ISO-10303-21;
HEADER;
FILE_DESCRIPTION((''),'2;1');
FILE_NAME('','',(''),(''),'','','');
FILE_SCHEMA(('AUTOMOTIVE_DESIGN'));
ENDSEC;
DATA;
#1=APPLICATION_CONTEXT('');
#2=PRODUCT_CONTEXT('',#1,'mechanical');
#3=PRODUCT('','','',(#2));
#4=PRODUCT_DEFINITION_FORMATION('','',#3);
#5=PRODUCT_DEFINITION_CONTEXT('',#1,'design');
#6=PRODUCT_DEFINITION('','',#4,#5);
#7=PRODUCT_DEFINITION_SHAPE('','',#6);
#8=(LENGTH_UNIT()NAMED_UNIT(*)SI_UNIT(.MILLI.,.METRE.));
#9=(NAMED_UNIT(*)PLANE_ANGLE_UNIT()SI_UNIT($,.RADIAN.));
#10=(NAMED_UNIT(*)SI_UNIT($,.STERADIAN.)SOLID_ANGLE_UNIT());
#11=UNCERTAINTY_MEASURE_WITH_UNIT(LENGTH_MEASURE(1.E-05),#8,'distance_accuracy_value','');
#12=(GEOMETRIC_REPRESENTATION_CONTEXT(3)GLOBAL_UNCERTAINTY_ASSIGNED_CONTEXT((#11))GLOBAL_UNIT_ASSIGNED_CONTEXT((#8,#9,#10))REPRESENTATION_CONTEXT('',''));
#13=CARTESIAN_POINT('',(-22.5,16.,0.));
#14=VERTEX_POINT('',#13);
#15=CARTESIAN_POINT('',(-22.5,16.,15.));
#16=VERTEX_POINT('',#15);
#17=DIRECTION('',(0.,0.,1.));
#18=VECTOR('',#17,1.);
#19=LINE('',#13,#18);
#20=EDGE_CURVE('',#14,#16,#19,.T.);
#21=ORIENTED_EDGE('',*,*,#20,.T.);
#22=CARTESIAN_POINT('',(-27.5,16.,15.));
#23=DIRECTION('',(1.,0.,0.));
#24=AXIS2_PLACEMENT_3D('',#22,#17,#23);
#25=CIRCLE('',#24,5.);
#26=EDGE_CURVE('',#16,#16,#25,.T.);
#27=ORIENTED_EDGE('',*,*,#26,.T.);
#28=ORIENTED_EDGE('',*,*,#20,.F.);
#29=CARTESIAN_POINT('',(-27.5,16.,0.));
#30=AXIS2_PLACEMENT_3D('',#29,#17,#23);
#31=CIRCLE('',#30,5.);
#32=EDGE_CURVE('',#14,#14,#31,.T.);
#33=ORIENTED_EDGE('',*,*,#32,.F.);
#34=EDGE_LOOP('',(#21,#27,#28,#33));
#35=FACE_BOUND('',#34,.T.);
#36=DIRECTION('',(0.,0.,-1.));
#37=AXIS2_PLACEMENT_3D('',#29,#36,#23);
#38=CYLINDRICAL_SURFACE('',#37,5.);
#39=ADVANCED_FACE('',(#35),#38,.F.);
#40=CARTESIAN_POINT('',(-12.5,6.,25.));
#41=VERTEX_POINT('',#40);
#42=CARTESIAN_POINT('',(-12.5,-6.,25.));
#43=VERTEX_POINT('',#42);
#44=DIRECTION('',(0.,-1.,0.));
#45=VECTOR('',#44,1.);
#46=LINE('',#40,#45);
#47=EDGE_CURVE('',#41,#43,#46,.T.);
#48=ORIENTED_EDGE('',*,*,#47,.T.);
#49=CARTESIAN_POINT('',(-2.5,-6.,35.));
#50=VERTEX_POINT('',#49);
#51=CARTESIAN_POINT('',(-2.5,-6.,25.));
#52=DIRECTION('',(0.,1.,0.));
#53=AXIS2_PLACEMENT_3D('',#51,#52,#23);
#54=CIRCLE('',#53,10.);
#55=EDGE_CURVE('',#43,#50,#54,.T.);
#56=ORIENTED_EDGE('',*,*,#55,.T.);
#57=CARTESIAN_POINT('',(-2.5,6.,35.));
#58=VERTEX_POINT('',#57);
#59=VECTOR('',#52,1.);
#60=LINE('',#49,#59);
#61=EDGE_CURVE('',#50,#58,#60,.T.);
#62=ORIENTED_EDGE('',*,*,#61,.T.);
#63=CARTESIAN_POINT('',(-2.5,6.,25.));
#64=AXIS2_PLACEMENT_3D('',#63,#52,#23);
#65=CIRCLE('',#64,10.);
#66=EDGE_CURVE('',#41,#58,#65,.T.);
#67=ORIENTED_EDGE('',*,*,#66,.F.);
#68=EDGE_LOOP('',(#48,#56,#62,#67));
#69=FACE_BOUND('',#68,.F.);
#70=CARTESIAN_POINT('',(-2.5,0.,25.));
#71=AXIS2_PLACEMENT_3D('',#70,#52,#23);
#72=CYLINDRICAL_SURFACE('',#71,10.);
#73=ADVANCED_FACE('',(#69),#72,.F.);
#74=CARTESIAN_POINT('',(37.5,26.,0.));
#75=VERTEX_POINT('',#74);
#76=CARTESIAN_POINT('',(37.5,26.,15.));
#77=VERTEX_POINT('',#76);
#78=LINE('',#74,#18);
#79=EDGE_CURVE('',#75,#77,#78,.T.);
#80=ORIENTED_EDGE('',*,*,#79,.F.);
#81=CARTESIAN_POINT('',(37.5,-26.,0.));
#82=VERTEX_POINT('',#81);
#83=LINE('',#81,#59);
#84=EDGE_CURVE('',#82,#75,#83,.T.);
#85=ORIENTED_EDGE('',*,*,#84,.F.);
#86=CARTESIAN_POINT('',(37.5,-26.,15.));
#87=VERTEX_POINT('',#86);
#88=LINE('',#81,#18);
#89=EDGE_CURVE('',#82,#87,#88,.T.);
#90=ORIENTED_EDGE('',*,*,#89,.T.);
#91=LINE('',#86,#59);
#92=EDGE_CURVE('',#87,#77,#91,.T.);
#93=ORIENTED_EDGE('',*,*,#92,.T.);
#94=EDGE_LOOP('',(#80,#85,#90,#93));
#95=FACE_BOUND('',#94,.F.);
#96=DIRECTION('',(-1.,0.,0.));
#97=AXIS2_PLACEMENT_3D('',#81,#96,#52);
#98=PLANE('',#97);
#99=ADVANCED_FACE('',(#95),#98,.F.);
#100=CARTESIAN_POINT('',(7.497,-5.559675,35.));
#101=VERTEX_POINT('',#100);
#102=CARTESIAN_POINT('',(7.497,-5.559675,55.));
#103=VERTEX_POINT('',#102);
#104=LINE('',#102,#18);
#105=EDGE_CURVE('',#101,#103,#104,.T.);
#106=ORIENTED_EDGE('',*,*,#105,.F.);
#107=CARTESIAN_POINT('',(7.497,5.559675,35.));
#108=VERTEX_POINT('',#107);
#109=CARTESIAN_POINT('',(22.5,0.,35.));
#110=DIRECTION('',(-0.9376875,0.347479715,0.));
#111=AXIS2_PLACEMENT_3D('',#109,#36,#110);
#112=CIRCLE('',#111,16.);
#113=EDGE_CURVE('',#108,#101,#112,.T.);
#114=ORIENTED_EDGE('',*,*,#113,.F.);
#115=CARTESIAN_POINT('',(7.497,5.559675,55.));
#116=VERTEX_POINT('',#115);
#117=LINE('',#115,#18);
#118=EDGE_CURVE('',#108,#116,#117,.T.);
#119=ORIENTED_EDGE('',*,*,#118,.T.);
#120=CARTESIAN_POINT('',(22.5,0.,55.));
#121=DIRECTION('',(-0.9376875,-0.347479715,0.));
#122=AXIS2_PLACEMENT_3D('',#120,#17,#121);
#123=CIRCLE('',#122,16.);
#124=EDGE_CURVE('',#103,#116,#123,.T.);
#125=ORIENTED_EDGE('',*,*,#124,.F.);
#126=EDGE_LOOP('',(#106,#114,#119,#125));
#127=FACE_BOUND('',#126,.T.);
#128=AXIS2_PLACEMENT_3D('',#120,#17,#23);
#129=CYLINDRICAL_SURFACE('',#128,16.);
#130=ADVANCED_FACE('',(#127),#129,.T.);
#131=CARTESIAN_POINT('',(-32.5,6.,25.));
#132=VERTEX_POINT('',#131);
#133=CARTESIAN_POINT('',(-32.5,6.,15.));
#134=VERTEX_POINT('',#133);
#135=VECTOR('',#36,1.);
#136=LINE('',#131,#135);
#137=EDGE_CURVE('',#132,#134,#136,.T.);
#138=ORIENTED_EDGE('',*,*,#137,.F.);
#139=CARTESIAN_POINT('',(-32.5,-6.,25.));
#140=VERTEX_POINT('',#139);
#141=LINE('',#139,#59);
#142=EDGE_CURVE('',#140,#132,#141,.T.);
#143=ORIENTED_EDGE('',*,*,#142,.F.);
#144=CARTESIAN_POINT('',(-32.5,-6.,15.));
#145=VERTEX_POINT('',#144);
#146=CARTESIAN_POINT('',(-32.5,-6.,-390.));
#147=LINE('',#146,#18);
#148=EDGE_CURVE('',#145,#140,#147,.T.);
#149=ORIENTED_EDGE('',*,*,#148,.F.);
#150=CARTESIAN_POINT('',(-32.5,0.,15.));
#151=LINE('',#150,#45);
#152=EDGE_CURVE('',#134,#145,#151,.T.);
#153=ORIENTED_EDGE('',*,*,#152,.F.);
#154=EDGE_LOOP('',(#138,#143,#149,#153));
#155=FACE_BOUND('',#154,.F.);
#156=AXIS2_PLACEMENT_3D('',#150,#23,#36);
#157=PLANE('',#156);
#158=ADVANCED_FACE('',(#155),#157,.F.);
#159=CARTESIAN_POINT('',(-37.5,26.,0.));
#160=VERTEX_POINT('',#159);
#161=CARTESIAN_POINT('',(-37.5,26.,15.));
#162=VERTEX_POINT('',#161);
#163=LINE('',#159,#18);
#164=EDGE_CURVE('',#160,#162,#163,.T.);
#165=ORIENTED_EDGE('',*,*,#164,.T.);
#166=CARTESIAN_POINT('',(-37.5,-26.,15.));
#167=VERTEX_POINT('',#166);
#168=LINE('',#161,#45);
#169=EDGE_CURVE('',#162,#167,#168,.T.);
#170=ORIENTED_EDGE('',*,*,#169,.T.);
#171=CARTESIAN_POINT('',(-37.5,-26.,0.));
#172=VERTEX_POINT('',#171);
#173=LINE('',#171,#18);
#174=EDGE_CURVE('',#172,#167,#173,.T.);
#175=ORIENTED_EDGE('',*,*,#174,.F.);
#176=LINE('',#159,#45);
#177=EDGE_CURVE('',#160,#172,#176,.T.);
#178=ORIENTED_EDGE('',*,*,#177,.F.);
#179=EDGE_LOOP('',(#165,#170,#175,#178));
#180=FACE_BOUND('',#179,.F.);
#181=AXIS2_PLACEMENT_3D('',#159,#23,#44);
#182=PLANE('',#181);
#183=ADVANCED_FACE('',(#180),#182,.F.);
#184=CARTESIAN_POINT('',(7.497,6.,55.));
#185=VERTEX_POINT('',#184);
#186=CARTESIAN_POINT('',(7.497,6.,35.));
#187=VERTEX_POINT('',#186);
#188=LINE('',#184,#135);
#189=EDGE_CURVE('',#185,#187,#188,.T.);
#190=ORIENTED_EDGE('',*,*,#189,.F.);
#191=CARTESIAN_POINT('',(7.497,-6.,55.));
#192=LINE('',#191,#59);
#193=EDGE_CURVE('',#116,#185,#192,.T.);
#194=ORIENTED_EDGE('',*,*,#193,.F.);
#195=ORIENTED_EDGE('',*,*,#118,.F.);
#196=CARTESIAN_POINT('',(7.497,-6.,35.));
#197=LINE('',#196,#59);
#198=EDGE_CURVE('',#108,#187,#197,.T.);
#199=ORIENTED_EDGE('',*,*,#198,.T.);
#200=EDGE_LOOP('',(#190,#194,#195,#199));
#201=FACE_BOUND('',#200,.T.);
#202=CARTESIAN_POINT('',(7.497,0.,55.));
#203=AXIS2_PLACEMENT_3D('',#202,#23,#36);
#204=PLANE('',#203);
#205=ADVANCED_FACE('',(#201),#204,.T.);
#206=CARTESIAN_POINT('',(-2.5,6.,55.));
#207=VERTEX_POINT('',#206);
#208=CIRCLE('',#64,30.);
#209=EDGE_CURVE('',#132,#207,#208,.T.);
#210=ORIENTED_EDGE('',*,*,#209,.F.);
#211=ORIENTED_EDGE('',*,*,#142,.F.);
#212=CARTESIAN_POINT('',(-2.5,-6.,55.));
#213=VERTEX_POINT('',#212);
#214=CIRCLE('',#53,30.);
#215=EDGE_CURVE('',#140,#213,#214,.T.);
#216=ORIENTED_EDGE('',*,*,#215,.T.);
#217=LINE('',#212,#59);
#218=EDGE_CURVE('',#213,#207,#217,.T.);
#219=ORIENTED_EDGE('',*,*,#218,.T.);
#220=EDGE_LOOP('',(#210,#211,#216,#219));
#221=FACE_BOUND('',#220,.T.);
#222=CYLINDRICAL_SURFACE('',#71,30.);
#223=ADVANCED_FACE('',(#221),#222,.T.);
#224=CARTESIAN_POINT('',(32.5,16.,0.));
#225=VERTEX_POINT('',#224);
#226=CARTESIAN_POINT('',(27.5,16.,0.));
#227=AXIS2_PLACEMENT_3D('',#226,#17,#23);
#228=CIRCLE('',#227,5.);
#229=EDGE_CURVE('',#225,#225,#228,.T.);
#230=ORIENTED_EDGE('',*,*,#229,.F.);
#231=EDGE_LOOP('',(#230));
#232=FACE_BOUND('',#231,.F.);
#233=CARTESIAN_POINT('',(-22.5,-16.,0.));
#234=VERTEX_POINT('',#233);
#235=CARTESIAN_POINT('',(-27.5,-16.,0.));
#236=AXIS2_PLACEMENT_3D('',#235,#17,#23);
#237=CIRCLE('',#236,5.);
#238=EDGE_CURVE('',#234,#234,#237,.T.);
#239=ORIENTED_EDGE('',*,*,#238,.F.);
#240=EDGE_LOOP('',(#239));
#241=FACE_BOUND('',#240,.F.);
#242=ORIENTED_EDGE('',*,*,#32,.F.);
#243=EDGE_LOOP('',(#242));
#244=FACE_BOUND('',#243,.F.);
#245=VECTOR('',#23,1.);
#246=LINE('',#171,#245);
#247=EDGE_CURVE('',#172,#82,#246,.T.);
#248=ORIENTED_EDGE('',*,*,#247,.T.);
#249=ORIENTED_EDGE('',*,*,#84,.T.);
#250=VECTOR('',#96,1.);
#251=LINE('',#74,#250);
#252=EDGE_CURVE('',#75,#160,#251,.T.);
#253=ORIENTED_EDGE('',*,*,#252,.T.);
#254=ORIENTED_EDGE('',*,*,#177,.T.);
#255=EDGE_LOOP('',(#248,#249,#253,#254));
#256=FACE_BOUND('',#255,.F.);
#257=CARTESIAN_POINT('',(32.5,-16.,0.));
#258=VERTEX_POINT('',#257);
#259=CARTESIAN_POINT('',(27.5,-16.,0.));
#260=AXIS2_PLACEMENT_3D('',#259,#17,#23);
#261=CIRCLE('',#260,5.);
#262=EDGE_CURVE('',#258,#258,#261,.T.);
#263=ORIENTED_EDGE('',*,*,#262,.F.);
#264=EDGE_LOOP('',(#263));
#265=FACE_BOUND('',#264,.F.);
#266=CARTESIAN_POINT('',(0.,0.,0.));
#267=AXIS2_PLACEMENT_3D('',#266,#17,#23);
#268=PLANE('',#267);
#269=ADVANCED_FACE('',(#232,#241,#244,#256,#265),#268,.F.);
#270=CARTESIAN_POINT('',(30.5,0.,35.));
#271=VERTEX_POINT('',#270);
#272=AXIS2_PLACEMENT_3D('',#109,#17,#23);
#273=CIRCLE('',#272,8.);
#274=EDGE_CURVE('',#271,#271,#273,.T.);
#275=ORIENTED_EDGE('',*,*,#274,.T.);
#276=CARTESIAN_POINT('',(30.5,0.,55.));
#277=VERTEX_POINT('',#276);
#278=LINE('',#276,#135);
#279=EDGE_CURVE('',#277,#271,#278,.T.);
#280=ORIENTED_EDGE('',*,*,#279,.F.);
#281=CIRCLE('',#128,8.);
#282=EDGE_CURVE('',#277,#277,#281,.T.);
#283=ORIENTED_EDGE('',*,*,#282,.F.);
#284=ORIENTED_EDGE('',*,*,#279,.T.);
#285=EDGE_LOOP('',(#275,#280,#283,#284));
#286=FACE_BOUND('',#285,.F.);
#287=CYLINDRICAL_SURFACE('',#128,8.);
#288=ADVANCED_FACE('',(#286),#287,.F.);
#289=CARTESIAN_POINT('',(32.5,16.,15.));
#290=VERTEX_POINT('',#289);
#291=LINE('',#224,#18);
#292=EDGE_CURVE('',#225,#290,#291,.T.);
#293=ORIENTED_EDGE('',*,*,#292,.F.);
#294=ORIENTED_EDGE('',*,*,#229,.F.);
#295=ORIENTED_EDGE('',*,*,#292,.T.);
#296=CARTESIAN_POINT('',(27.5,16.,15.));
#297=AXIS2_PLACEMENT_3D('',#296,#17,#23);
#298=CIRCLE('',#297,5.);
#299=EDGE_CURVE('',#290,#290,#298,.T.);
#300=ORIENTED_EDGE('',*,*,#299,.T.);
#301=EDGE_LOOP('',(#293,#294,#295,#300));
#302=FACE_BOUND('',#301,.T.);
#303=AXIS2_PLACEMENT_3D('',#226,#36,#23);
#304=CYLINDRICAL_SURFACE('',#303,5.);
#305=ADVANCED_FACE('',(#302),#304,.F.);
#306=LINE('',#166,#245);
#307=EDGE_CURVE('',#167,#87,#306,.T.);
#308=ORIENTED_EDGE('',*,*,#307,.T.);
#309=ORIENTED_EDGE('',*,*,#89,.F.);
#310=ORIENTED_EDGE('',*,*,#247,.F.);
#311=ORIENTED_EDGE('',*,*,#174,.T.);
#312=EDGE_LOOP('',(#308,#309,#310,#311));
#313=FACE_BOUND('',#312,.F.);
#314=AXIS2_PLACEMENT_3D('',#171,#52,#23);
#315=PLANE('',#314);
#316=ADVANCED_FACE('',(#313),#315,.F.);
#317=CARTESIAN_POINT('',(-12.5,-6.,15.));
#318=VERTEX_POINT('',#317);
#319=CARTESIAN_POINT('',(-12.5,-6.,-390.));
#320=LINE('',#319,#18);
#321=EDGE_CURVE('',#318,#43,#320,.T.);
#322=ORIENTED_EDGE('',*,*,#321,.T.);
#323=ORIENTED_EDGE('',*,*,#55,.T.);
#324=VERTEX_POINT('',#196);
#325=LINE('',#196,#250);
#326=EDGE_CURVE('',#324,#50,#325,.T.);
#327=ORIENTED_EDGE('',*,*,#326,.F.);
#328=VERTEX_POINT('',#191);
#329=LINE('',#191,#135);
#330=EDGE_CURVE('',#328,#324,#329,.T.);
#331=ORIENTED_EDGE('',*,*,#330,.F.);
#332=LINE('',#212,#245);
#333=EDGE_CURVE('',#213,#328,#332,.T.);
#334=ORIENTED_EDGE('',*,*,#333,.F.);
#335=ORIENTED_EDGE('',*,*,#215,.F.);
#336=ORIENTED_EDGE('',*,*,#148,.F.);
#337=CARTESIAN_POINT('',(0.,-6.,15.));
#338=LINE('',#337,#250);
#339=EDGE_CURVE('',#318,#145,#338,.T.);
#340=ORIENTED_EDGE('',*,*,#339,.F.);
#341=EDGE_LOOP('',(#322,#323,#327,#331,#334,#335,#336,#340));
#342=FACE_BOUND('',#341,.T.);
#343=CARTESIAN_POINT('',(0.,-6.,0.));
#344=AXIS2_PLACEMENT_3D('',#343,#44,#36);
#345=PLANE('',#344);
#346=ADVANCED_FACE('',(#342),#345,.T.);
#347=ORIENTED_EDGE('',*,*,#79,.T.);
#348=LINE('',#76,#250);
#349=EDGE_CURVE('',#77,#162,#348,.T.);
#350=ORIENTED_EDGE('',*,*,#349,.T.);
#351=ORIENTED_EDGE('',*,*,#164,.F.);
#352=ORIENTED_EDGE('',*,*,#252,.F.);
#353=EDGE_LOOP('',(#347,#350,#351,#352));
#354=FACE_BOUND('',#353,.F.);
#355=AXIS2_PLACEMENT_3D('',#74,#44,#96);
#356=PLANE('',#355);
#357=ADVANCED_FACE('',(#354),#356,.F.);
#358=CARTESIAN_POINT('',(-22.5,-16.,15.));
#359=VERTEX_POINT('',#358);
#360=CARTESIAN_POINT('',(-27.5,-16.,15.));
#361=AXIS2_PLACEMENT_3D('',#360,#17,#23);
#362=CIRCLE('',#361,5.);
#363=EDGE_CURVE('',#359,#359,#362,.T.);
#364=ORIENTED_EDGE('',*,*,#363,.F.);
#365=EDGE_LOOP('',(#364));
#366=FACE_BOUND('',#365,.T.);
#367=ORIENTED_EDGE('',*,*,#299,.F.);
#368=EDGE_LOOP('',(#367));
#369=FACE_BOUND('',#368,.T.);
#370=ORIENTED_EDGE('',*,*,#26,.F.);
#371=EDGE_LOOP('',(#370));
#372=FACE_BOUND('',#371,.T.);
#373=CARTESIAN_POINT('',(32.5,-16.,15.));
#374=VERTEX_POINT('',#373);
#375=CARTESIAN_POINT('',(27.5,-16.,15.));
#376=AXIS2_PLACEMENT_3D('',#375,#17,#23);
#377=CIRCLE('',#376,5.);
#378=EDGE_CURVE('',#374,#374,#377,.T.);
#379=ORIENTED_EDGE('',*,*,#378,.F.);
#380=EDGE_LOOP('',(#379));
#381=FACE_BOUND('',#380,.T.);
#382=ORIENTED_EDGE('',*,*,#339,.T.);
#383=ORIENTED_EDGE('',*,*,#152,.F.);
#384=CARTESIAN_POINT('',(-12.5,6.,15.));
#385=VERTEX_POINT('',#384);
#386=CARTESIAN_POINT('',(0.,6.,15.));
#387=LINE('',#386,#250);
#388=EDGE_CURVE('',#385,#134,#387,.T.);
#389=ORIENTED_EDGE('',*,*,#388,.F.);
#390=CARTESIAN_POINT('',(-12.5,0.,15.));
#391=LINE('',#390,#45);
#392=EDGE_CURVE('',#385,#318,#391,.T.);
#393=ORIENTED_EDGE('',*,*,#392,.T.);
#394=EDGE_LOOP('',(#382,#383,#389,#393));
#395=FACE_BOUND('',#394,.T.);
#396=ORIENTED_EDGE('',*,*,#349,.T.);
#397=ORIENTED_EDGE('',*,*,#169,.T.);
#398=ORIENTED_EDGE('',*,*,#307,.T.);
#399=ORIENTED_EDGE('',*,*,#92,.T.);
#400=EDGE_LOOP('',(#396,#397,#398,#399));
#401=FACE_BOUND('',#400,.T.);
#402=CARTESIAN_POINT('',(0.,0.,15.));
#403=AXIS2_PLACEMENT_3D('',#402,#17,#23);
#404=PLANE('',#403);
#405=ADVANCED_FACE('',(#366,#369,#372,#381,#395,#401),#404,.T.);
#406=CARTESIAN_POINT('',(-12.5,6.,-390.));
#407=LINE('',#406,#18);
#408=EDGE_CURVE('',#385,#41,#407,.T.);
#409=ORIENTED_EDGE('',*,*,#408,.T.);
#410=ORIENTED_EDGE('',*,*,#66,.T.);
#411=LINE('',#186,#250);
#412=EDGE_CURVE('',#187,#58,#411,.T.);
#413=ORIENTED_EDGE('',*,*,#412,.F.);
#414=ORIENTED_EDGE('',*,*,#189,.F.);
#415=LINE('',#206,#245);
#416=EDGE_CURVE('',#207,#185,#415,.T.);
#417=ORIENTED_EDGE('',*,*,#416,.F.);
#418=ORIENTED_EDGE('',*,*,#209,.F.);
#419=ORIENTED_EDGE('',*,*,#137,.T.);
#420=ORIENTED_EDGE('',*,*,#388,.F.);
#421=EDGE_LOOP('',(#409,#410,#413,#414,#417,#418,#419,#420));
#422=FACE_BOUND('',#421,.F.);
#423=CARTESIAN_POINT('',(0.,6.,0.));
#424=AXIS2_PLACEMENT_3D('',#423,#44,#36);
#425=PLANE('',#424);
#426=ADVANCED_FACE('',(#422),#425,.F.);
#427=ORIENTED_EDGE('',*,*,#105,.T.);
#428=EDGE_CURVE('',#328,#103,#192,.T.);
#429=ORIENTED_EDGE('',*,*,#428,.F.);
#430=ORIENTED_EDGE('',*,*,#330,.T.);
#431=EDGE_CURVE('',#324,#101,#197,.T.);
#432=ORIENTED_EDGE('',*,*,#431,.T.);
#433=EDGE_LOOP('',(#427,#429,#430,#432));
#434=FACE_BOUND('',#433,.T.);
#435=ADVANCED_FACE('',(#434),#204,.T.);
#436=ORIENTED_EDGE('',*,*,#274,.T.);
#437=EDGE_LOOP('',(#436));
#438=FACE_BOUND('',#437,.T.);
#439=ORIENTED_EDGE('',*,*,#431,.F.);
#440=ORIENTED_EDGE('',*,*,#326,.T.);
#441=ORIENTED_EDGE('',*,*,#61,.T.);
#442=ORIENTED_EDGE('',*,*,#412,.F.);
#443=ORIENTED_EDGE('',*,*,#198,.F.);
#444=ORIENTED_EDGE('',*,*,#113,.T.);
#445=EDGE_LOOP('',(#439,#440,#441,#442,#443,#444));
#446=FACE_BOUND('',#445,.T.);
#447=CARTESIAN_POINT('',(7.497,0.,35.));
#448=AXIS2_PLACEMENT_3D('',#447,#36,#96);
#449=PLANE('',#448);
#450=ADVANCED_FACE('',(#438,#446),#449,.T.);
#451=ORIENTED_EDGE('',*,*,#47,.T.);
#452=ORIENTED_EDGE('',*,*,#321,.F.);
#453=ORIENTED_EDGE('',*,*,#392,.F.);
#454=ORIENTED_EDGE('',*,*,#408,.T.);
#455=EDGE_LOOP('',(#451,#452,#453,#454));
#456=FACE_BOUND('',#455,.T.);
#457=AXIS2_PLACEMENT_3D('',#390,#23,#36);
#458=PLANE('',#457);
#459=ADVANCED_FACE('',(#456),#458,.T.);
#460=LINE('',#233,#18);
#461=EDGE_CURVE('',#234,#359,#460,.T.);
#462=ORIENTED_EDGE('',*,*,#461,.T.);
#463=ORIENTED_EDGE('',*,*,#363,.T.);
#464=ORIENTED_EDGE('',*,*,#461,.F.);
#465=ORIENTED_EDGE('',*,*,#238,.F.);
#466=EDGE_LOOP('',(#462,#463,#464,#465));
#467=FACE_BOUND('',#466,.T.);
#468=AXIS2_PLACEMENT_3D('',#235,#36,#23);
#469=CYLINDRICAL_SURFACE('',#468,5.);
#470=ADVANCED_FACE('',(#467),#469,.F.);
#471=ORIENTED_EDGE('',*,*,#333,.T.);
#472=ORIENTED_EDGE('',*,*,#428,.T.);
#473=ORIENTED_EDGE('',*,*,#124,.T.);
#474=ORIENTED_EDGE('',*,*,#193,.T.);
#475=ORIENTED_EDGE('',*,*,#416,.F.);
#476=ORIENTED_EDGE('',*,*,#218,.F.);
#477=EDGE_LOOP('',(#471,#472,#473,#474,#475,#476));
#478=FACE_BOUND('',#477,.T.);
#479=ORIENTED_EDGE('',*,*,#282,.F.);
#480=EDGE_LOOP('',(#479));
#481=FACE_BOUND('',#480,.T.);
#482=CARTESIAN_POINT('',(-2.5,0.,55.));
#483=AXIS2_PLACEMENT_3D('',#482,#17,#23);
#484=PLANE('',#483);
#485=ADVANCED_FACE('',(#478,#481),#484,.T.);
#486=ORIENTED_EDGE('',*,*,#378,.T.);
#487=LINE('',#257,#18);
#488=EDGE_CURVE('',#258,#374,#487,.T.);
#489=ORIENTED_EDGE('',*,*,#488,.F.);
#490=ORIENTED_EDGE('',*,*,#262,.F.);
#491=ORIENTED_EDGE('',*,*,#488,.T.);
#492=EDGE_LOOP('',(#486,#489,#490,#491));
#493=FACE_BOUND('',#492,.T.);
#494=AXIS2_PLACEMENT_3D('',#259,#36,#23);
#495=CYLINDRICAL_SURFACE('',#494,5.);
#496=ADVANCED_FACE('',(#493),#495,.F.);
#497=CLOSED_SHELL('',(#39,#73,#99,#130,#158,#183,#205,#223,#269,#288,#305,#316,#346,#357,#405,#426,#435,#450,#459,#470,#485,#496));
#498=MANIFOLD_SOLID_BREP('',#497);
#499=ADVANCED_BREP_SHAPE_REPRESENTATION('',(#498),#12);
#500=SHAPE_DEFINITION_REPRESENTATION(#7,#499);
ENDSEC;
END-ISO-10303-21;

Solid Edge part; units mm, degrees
sketch "Sketch1" plane through (0, 0, 0) normal (0, 0, 1) x (1, 0, 0)
  line L0 (-37.5, -26) -> (37.5, -26)
  line L1 (37.5, -26) -> (37.5, 26)
  line L2 (37.5, 26) -> (-37.5, 26)
  line L3 (-37.5, 26) -> (-37.5, -26)
  circle A0 centre (27.5, -16) radius 5
  circle A1 centre (27.5, 16) radius 5
  circle A2 centre (-27.5, -16) radius 5
  circle A3 centre (-27.5, 16) radius 5
  dimension "D1" = 10
extrude "Protrusion1" add sketch "Sketch1" along normal blind 15
sketch "Sketch2" plane through (0, 0, 0) normal (0, -1, 0) x (1, 0, 0)
  line L0 (-12.5, 15) -> (-12.5, 25)
  arc A0 (-12.5, 25) -> (-2.5, 35) centre (-2.5, 25) cw
  line L1 (7.497, 35) -> (-2.5, 35)
  line L2 (7.497, 55) -> (7.497, 35)
  line L3 (-2.5, 55) -> (7.497, 55)
  arc A1 (-32.5, 25) -> (-2.5, 55) centre (-2.5, 25) cw
  line L4 (-32.5, 15) -> (-32.5, 25)
extrude "ExtrudedProtrusion_2" add sketch "Sketch2" along normal mid plane 12 material side at (-12.55, 0, 20)
sketch "Sketch3" plane through (2.4985, 0, 55) normal (0, 0, 1) x (1, 0, 0)
  circle A0 centre (20.0015, 0) radius 16
  circle A1 centre (20.0015, 0) radius 8
extrude "ExtrudedProtrusion_3" add sketch "Sketch3" against normal blind 20
